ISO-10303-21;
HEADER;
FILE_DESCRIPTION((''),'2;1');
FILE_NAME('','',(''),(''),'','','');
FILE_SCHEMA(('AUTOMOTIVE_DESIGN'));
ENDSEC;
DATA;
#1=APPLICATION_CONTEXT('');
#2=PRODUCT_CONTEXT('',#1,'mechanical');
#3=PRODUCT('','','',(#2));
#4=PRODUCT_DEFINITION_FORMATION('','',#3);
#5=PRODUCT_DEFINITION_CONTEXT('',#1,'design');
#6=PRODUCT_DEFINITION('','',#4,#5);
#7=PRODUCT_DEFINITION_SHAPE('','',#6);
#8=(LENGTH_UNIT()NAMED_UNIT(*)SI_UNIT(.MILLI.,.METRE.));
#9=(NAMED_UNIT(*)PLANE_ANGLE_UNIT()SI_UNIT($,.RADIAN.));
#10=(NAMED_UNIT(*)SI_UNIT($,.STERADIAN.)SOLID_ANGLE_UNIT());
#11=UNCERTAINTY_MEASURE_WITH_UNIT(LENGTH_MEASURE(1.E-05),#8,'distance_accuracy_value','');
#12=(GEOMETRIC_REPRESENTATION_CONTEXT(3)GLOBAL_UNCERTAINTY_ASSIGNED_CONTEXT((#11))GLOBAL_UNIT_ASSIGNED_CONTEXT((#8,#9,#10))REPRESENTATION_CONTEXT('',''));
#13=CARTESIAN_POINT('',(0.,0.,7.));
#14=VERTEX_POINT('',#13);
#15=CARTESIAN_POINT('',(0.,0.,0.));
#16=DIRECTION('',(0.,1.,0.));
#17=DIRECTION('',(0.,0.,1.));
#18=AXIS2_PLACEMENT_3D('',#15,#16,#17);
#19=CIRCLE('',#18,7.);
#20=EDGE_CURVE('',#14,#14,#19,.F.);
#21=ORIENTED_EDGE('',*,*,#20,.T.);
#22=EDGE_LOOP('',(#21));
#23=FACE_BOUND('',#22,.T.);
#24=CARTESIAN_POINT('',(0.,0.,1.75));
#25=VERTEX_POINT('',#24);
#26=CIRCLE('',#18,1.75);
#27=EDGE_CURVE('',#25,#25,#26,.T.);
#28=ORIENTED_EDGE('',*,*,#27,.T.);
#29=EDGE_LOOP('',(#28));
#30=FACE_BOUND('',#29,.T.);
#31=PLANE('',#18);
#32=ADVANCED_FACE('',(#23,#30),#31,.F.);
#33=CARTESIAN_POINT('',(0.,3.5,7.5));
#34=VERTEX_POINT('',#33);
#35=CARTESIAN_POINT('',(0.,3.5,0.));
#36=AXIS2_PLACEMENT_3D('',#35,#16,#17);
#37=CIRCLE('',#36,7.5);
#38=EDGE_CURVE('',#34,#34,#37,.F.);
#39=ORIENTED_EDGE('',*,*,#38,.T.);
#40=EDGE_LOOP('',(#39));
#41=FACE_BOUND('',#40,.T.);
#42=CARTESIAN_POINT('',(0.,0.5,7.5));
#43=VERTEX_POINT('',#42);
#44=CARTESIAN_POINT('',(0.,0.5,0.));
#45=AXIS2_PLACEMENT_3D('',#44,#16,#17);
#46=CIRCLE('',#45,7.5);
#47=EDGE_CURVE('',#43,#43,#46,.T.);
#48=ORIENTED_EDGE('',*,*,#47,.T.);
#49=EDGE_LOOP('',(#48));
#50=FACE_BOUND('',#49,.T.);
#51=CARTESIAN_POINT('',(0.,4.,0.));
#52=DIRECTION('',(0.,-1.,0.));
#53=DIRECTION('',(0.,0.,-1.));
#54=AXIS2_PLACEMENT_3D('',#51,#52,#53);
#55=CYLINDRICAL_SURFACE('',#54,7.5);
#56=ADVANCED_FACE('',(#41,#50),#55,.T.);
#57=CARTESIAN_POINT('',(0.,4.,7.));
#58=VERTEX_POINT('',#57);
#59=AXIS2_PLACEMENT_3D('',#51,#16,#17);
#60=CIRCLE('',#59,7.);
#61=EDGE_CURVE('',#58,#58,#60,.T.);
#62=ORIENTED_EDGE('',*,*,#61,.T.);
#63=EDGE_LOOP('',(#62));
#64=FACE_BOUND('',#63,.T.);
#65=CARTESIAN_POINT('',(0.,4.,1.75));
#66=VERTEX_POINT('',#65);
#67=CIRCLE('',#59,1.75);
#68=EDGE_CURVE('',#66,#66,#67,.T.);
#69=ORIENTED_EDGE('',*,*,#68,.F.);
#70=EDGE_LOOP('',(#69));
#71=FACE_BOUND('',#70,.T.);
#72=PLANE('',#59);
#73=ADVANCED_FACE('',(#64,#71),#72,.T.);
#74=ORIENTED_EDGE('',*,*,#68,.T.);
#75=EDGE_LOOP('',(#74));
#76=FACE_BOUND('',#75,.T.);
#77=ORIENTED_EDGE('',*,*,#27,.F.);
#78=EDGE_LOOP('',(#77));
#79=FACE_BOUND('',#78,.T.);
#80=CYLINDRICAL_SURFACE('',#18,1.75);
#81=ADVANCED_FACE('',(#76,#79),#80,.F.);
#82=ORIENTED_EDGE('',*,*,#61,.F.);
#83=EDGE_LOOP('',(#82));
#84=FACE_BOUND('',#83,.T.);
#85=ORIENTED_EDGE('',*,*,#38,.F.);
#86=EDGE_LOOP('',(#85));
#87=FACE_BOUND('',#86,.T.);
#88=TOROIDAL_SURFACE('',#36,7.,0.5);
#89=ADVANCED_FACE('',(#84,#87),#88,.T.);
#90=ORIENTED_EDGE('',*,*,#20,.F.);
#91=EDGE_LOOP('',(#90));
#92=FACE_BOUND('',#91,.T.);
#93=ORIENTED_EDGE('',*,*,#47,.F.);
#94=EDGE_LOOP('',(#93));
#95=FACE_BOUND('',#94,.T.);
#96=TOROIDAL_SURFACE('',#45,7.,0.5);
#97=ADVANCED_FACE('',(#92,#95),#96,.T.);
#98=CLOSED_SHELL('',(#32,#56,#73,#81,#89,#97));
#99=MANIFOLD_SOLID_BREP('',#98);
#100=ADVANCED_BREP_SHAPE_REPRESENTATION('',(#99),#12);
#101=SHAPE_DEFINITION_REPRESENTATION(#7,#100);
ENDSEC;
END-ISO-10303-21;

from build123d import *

# Parameters (mm, degrees)
SKETCH1_R           = 7.5
BOSS_EXTRUDE1_DEPTH = 4
SKETCH2_R           = 1.75
CUT_EXTRUDE1_DEPTH  = 4
FILLET1_R           = 0.5


with BuildPart() as part:
    # Sketch1 → Boss-Extrude1 (new body)
    with BuildSketch(Plane(origin=(0, 0, 0), x_dir=(1, 0, 0), z_dir=(0, 1, 0))):
        Circle(SKETCH1_R)
    extrude(amount=BOSS_EXTRUDE1_DEPTH)

    # Sketch2 → Cut-Extrude1 (cut)
    with BuildSketch(Plane(origin=(0, 4, 0), x_dir=(1, 0, 0), z_dir=(0, 1, 0))):
        Circle(SKETCH2_R)
    extrude(amount=-CUT_EXTRUDE1_DEPTH, mode=Mode.SUBTRACT)

    # Fillet1
    fillet1_edges = [part.edges().sort_by_distance(p)[0] for p in [
        (-7.5, 0, 0),
        (-7.5, 4, 0),
    ]]
    fillet(fillet1_edges, radius=FILLET1_R)


solid = part.part
